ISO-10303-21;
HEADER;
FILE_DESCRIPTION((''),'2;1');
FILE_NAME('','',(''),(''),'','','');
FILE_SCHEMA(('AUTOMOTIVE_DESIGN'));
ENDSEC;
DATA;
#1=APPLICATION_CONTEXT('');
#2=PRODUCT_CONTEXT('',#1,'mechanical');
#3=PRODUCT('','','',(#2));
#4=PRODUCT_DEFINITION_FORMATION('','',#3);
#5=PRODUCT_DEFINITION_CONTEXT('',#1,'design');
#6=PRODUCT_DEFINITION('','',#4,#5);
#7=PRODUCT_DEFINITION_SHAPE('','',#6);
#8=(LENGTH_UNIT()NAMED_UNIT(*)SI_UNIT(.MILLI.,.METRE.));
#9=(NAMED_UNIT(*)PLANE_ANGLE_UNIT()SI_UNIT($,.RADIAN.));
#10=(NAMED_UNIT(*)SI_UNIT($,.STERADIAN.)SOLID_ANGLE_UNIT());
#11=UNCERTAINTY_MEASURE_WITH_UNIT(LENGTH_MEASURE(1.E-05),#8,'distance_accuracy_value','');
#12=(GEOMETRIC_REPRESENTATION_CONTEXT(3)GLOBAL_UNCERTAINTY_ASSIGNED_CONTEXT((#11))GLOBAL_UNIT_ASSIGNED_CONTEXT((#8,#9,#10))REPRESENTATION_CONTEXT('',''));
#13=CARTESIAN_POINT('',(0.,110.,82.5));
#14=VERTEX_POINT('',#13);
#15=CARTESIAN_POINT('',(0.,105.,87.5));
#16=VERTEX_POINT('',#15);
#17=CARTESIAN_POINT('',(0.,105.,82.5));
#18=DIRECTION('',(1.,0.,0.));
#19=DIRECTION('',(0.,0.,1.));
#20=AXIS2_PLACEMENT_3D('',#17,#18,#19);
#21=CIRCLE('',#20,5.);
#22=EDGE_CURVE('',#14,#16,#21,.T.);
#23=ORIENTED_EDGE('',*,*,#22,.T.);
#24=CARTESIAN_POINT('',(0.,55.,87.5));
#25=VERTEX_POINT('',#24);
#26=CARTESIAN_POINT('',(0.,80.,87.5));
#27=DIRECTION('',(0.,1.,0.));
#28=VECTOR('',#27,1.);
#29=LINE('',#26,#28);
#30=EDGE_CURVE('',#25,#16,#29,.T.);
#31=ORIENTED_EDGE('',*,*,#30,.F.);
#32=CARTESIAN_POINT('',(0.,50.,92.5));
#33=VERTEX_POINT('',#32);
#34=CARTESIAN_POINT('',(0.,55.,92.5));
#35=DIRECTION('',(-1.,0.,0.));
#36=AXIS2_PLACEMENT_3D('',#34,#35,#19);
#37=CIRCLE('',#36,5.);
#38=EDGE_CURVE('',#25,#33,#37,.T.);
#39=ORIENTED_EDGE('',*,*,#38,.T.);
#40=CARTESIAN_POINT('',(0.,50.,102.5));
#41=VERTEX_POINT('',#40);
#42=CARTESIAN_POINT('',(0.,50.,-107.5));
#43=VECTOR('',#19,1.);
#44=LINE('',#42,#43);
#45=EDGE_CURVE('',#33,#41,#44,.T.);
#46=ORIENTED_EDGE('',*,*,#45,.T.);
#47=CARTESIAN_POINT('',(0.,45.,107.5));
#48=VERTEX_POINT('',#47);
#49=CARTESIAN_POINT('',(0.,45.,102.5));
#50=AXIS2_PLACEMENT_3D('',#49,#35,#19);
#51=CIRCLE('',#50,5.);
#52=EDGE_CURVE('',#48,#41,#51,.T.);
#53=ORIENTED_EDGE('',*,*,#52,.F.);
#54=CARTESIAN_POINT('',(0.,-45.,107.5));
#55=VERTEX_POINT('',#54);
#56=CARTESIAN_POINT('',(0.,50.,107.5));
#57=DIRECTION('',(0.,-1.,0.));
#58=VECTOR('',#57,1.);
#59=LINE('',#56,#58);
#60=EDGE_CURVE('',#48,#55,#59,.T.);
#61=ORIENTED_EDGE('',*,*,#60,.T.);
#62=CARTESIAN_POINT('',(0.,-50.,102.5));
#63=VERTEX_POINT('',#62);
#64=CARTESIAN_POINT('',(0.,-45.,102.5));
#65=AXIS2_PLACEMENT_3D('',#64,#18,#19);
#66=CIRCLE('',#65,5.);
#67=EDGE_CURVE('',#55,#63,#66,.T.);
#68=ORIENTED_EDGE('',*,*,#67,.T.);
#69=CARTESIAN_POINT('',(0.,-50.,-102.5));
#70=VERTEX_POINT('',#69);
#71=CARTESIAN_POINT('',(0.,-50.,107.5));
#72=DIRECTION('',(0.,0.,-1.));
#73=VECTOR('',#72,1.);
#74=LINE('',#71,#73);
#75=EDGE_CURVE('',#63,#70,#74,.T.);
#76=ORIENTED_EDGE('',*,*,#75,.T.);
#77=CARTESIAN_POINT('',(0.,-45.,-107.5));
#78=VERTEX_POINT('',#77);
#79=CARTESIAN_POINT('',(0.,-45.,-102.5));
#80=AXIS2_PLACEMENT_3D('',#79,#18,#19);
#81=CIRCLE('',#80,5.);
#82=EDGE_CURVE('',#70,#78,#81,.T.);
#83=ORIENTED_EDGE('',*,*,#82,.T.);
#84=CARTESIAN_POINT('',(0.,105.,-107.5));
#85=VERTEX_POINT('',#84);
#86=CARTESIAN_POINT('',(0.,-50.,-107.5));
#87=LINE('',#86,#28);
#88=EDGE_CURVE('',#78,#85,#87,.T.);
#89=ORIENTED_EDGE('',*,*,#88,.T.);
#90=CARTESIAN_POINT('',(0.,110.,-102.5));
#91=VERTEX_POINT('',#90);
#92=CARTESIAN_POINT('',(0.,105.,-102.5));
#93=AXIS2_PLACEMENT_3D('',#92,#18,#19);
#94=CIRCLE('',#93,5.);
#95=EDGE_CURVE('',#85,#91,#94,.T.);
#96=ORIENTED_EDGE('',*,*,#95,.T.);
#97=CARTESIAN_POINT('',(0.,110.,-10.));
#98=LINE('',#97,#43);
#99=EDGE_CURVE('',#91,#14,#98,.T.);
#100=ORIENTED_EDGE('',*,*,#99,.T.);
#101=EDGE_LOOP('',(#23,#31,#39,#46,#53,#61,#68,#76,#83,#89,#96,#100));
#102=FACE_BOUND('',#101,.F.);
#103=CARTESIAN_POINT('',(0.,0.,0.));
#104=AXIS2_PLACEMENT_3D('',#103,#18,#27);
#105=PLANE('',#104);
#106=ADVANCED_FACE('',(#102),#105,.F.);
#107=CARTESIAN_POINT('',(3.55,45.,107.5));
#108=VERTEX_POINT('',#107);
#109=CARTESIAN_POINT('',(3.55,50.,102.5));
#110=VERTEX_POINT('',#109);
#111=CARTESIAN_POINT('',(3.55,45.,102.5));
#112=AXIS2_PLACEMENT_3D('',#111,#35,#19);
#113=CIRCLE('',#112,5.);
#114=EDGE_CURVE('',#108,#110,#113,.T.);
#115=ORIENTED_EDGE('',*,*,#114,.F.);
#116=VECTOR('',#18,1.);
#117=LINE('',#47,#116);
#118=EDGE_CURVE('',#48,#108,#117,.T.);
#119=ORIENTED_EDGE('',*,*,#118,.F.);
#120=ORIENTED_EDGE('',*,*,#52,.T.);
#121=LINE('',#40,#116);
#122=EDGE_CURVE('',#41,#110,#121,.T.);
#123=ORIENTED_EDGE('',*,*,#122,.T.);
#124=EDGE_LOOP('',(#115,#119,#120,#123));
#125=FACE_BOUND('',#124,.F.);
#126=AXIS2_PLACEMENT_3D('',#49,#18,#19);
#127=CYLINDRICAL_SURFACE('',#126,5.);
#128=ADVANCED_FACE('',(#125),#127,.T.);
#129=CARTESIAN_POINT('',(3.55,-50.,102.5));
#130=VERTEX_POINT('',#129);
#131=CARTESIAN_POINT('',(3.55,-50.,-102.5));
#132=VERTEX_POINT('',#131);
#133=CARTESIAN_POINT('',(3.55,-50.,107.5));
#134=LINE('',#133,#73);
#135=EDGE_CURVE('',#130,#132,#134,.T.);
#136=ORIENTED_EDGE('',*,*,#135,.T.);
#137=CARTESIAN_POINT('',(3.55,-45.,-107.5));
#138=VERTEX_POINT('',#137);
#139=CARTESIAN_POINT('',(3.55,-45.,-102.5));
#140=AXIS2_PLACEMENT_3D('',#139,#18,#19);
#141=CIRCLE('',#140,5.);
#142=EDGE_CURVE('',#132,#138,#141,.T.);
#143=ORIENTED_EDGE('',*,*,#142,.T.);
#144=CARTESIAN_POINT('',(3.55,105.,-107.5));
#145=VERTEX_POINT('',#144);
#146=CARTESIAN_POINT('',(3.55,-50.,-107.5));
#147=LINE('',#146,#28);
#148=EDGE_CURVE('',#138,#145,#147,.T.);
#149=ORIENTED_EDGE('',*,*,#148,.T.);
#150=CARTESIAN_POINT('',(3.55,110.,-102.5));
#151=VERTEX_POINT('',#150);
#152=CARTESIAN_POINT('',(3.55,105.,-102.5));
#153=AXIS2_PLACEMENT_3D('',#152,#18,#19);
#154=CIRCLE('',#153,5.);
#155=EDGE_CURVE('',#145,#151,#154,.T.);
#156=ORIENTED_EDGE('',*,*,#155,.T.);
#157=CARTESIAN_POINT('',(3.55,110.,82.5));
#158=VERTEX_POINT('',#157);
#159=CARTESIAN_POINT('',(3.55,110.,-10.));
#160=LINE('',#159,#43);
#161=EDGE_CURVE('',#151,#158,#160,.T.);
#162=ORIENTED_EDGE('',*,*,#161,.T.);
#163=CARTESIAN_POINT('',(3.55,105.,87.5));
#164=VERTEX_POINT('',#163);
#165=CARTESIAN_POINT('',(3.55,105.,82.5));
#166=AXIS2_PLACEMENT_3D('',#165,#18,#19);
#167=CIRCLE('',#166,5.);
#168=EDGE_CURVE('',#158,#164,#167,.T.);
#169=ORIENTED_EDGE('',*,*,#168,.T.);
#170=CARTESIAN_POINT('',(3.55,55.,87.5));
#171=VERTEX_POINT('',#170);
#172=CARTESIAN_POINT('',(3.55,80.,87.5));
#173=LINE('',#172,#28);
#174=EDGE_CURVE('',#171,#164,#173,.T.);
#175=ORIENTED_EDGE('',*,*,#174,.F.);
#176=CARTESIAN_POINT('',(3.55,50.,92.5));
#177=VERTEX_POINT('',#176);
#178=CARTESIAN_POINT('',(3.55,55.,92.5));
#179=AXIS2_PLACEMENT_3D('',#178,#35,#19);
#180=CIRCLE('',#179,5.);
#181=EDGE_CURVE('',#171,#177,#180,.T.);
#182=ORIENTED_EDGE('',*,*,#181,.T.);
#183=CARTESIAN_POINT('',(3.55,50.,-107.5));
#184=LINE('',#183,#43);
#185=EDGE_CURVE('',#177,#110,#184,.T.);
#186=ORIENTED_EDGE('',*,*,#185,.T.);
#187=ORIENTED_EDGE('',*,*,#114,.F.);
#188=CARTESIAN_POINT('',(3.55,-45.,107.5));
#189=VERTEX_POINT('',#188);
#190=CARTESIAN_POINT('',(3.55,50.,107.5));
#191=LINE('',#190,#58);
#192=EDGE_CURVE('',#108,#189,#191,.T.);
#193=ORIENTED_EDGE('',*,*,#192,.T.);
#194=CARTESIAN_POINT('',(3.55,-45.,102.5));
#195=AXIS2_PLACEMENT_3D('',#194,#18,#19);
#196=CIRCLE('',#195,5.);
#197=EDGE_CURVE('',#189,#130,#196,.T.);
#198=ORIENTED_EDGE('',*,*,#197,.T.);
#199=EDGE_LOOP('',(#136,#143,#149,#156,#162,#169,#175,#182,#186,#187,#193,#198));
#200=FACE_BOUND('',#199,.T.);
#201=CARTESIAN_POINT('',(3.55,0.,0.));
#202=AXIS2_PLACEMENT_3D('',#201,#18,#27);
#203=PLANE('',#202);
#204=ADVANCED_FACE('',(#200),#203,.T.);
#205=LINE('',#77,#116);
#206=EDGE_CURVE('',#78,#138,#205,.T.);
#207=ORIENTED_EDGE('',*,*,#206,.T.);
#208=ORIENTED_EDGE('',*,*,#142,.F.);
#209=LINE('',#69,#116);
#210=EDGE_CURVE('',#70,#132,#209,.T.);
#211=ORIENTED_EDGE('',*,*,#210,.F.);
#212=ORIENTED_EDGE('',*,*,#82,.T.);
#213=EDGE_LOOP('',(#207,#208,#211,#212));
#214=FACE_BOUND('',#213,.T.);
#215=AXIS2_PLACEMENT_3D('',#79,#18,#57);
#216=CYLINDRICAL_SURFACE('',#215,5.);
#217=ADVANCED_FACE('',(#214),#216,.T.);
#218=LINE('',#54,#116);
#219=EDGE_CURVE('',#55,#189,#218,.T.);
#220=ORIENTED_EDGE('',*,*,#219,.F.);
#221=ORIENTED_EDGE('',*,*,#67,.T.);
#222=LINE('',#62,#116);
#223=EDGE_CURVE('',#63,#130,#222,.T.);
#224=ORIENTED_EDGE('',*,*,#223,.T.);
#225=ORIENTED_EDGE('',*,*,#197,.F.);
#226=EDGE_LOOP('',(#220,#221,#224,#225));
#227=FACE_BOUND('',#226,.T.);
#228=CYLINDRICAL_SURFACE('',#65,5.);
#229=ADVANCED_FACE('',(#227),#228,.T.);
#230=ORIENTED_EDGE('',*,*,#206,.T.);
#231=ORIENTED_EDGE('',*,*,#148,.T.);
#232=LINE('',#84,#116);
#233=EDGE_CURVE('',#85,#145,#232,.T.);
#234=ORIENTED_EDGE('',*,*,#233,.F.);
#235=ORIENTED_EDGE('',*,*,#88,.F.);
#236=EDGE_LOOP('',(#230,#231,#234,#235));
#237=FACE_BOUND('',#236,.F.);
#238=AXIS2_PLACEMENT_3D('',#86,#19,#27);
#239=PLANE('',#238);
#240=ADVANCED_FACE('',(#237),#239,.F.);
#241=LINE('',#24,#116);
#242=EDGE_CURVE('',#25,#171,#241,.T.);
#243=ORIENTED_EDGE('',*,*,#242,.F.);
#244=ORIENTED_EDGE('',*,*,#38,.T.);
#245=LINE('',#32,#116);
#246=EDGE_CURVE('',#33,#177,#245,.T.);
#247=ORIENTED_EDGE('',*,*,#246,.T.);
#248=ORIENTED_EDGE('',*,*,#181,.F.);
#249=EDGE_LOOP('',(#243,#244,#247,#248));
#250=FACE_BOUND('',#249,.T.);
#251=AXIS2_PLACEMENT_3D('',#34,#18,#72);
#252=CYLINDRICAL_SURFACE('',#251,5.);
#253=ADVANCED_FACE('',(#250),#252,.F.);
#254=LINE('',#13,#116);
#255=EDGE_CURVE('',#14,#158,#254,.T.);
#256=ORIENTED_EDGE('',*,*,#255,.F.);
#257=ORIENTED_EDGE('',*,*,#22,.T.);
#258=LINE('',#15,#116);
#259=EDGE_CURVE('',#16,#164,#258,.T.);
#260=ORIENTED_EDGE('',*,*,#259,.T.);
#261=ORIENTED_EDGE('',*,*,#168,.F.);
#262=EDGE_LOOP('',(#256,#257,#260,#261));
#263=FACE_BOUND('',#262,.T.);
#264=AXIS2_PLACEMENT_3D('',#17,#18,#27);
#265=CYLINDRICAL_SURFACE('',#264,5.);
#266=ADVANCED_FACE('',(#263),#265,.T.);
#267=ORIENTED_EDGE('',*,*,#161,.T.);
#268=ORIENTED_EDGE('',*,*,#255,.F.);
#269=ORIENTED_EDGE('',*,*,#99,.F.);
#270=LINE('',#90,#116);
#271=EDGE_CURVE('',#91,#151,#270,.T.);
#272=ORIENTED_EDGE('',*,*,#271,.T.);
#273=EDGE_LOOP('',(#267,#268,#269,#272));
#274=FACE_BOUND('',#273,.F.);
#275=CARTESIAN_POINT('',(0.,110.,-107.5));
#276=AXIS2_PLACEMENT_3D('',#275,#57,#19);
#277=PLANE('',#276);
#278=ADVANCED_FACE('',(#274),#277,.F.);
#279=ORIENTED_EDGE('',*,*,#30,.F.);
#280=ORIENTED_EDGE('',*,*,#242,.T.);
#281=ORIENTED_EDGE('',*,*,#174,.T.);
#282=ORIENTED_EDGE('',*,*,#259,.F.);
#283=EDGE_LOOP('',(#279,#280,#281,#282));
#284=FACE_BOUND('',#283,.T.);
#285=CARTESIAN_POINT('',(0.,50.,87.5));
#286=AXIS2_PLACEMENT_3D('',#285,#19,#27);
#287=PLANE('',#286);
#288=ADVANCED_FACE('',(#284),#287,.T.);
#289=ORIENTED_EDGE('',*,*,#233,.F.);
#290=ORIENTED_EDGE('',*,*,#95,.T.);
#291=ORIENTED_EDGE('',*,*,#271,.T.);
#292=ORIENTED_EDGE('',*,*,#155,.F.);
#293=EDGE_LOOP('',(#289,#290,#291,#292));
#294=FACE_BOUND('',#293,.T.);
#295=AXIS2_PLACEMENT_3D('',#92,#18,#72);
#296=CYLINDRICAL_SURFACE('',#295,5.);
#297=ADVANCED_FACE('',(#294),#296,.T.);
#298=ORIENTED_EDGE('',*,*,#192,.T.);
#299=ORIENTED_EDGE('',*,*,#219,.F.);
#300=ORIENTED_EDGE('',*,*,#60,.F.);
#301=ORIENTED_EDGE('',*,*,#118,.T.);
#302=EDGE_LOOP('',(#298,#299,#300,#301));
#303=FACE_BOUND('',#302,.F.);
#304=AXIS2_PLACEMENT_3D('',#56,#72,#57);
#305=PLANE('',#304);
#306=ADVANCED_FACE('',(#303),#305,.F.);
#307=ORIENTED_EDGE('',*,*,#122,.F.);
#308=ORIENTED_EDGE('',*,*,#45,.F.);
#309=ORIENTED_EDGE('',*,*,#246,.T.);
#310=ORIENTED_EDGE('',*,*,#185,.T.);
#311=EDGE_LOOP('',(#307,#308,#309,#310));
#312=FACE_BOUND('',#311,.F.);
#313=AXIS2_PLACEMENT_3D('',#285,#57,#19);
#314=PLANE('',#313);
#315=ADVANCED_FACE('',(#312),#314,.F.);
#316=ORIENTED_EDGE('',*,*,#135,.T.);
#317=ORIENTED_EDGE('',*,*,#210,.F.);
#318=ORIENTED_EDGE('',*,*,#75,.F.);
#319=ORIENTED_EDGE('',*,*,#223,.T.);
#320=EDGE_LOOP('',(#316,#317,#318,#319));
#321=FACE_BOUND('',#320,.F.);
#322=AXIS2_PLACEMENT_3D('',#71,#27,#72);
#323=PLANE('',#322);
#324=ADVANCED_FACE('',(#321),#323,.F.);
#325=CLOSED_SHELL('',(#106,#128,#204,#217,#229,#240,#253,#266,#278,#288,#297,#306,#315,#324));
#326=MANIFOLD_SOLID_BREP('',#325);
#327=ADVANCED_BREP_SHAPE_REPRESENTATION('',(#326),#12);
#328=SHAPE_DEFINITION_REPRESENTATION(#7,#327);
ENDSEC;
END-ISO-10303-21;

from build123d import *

# Parameters (mm, degrees)
F0_W     = 60
F0_H     = 195
F1_DEPTH = 3.55
F2_R     = 5


with BuildPart() as f1:
    # F0 (on Right) → F1 (new body)
    with BuildSketch(Plane.YZ):
        Polygon((50, 87.5), (50, 107.5), (-50, 107.5), (-50, -107.5), (50, -107.5), align=None)
        with Locations((80, -10)):
            Rectangle(F0_W, F0_H)
    extrude(amount=F1_DEPTH)

    # F2
    f2_edges = [f1.edges().sort_by_distance(p)[0] for p in [
        (1.775, 50, 87.5),
        (1.775, 50, 107.5),
        (1.775, 110, 87.5),
        (1.775, -50, 107.5),
        (1.775, 110, -107.5),
        (1.775, -50, -107.5),
    ]]
    fillet(f2_edges, radius=F2_R)


solid = f1.part
